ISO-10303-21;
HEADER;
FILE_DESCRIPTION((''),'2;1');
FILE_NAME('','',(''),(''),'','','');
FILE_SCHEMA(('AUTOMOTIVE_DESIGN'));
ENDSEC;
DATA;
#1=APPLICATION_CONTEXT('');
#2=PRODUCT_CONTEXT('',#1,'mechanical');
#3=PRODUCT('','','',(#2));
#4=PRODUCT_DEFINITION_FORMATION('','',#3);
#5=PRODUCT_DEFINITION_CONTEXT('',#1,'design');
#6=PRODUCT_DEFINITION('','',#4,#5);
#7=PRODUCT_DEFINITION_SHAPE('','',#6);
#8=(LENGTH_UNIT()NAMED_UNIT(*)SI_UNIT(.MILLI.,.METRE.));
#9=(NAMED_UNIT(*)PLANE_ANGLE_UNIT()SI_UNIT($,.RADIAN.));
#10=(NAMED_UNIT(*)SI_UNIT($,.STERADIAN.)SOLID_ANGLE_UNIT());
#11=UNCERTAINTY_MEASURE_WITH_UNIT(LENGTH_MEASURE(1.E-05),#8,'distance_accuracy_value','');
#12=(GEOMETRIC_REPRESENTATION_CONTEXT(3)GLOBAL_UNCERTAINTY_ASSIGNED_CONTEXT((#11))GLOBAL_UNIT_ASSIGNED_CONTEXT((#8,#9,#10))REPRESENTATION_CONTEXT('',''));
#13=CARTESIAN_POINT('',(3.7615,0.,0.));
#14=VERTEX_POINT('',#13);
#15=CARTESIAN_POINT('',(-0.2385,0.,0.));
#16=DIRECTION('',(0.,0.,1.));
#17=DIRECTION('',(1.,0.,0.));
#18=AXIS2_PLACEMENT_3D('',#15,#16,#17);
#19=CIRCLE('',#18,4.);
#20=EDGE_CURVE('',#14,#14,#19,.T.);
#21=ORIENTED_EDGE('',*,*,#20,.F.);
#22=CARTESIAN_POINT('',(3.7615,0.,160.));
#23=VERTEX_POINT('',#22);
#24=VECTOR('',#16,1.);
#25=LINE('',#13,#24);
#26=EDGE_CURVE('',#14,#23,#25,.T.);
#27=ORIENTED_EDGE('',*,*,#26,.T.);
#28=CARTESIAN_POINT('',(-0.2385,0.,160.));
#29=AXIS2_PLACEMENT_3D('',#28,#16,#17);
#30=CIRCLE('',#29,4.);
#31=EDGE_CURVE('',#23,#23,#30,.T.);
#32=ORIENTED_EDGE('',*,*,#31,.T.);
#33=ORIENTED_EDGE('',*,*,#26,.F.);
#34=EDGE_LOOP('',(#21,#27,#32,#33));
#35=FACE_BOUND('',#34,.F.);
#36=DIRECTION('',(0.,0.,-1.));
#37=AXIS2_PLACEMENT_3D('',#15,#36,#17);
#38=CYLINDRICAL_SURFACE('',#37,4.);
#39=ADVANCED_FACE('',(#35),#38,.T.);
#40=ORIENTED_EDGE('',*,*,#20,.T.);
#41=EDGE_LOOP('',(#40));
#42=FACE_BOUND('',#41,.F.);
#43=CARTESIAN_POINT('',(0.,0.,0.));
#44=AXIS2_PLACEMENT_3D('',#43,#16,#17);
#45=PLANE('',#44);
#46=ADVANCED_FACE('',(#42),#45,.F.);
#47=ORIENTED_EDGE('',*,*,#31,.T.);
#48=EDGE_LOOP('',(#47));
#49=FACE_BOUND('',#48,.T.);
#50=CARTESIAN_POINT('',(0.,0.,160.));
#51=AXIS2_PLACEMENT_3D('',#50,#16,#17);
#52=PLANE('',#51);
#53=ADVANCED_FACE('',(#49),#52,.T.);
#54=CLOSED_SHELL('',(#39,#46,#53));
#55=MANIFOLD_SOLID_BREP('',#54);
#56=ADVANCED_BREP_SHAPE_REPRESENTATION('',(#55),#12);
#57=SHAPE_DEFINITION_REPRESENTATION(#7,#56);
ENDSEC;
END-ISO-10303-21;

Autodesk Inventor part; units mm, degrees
ref_plane "YZ Plane" through (0, 0, 0) normal (1, 0, 0) x (0, 1, 0)
ref_plane "XZ Plane" through (0, 0, 0) normal (0, 1, 0) x (-1, 0, 0)
ref_plane "XY Plane" through (0, 0, 0) normal (0, 0, 1) x (1, 0, 0)
sketch "Szkic1" plane through (0, 0, 0) normal (0, 0, 1) x (1, 0, 0)
  circle A0 centre (-0.2385, 0) radius 4
  point P0 (0, 0)
  dimension "d0" = 8
  dimension "d0" = 8
extrude "Wyciągnięcie proste1" add sketch "Szkic1" along normal blind 160
properties part number "wał2"
